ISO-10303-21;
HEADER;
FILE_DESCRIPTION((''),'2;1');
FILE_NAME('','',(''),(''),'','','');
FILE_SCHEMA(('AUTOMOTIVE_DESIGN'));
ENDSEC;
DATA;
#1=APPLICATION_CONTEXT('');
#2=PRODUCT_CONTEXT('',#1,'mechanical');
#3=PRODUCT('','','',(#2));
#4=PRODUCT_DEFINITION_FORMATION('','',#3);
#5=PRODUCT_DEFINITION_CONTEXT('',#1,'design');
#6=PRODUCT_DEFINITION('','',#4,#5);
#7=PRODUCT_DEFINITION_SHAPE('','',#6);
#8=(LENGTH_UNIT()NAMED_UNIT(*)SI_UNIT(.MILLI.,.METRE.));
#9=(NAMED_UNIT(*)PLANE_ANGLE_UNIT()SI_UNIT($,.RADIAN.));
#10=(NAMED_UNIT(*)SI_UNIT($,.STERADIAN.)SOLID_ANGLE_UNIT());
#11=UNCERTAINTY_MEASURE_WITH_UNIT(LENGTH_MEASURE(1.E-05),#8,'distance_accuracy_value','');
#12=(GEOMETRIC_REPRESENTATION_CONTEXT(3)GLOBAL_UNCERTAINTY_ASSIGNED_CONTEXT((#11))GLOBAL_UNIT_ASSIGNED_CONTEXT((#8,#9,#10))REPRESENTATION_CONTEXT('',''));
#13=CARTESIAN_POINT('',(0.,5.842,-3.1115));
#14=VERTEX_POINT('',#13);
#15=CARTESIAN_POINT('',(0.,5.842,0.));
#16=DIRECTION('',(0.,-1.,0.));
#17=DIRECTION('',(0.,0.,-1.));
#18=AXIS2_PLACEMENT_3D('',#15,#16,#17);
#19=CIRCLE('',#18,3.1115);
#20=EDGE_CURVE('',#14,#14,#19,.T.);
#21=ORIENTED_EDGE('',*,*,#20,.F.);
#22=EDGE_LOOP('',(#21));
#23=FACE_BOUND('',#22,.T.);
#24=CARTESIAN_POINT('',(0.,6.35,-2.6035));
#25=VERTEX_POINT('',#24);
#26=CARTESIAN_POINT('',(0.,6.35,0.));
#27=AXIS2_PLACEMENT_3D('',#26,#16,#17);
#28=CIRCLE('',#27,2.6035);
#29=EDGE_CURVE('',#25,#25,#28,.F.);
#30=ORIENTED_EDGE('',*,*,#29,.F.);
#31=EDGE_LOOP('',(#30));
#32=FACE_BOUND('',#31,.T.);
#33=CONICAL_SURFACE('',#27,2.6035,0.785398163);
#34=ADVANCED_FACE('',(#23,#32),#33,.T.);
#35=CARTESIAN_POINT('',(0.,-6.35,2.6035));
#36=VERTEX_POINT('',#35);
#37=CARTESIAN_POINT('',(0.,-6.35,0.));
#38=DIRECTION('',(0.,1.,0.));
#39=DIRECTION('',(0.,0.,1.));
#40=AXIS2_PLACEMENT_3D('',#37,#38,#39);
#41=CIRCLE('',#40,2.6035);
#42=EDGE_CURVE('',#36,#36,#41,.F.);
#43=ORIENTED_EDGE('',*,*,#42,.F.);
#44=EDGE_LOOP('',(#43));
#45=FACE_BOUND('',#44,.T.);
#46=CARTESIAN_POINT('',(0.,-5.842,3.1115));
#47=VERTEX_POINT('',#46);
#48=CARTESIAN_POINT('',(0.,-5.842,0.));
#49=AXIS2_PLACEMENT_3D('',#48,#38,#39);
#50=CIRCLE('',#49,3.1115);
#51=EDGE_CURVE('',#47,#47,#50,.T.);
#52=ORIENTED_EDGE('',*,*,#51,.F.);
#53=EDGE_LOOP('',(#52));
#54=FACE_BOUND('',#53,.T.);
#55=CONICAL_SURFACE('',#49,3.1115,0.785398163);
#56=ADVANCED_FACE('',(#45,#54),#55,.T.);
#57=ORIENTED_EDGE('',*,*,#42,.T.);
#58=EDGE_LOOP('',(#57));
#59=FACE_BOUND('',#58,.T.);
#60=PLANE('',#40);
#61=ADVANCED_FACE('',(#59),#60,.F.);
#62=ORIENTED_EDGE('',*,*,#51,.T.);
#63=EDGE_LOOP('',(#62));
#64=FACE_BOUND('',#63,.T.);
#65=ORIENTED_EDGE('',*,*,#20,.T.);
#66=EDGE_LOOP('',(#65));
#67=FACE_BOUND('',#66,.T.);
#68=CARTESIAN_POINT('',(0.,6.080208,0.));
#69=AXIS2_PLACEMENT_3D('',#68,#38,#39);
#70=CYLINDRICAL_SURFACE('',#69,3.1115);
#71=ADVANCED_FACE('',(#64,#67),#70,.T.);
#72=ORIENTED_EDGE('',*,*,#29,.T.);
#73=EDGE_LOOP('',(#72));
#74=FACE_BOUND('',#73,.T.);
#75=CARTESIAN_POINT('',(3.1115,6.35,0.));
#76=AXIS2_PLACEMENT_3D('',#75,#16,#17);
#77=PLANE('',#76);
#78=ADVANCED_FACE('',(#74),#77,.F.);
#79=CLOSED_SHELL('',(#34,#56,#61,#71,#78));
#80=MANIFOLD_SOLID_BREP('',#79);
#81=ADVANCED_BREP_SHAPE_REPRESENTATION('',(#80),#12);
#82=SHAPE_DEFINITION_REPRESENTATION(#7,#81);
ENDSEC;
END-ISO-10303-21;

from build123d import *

# Parameters (mm, degrees)
SKETCH1_W     = 3.1115
SKETCH1_H     = 12.7
CHAMFER1_SIZE = 0.508


with BuildPart() as part:
    # Sketch1 → Revolve1 (revolve)
    with BuildSketch(Plane.XY):
        with Locations((1.55575, 0)):
            Rectangle(SKETCH1_W, SKETCH1_H)
    revolve(axis=Axis((0, 6.080207887, 0), (0, -1, 0)))

    # Chamfer1
    chamfer1_edges = [part.edges().sort_by_distance(p)[0] for p in [
        (-3.1115, 6.35, 0),
        (-3.1115, -6.35, 0),
    ]]
    chamfer(chamfer1_edges, length=CHAMFER1_SIZE)


solid = part.part
